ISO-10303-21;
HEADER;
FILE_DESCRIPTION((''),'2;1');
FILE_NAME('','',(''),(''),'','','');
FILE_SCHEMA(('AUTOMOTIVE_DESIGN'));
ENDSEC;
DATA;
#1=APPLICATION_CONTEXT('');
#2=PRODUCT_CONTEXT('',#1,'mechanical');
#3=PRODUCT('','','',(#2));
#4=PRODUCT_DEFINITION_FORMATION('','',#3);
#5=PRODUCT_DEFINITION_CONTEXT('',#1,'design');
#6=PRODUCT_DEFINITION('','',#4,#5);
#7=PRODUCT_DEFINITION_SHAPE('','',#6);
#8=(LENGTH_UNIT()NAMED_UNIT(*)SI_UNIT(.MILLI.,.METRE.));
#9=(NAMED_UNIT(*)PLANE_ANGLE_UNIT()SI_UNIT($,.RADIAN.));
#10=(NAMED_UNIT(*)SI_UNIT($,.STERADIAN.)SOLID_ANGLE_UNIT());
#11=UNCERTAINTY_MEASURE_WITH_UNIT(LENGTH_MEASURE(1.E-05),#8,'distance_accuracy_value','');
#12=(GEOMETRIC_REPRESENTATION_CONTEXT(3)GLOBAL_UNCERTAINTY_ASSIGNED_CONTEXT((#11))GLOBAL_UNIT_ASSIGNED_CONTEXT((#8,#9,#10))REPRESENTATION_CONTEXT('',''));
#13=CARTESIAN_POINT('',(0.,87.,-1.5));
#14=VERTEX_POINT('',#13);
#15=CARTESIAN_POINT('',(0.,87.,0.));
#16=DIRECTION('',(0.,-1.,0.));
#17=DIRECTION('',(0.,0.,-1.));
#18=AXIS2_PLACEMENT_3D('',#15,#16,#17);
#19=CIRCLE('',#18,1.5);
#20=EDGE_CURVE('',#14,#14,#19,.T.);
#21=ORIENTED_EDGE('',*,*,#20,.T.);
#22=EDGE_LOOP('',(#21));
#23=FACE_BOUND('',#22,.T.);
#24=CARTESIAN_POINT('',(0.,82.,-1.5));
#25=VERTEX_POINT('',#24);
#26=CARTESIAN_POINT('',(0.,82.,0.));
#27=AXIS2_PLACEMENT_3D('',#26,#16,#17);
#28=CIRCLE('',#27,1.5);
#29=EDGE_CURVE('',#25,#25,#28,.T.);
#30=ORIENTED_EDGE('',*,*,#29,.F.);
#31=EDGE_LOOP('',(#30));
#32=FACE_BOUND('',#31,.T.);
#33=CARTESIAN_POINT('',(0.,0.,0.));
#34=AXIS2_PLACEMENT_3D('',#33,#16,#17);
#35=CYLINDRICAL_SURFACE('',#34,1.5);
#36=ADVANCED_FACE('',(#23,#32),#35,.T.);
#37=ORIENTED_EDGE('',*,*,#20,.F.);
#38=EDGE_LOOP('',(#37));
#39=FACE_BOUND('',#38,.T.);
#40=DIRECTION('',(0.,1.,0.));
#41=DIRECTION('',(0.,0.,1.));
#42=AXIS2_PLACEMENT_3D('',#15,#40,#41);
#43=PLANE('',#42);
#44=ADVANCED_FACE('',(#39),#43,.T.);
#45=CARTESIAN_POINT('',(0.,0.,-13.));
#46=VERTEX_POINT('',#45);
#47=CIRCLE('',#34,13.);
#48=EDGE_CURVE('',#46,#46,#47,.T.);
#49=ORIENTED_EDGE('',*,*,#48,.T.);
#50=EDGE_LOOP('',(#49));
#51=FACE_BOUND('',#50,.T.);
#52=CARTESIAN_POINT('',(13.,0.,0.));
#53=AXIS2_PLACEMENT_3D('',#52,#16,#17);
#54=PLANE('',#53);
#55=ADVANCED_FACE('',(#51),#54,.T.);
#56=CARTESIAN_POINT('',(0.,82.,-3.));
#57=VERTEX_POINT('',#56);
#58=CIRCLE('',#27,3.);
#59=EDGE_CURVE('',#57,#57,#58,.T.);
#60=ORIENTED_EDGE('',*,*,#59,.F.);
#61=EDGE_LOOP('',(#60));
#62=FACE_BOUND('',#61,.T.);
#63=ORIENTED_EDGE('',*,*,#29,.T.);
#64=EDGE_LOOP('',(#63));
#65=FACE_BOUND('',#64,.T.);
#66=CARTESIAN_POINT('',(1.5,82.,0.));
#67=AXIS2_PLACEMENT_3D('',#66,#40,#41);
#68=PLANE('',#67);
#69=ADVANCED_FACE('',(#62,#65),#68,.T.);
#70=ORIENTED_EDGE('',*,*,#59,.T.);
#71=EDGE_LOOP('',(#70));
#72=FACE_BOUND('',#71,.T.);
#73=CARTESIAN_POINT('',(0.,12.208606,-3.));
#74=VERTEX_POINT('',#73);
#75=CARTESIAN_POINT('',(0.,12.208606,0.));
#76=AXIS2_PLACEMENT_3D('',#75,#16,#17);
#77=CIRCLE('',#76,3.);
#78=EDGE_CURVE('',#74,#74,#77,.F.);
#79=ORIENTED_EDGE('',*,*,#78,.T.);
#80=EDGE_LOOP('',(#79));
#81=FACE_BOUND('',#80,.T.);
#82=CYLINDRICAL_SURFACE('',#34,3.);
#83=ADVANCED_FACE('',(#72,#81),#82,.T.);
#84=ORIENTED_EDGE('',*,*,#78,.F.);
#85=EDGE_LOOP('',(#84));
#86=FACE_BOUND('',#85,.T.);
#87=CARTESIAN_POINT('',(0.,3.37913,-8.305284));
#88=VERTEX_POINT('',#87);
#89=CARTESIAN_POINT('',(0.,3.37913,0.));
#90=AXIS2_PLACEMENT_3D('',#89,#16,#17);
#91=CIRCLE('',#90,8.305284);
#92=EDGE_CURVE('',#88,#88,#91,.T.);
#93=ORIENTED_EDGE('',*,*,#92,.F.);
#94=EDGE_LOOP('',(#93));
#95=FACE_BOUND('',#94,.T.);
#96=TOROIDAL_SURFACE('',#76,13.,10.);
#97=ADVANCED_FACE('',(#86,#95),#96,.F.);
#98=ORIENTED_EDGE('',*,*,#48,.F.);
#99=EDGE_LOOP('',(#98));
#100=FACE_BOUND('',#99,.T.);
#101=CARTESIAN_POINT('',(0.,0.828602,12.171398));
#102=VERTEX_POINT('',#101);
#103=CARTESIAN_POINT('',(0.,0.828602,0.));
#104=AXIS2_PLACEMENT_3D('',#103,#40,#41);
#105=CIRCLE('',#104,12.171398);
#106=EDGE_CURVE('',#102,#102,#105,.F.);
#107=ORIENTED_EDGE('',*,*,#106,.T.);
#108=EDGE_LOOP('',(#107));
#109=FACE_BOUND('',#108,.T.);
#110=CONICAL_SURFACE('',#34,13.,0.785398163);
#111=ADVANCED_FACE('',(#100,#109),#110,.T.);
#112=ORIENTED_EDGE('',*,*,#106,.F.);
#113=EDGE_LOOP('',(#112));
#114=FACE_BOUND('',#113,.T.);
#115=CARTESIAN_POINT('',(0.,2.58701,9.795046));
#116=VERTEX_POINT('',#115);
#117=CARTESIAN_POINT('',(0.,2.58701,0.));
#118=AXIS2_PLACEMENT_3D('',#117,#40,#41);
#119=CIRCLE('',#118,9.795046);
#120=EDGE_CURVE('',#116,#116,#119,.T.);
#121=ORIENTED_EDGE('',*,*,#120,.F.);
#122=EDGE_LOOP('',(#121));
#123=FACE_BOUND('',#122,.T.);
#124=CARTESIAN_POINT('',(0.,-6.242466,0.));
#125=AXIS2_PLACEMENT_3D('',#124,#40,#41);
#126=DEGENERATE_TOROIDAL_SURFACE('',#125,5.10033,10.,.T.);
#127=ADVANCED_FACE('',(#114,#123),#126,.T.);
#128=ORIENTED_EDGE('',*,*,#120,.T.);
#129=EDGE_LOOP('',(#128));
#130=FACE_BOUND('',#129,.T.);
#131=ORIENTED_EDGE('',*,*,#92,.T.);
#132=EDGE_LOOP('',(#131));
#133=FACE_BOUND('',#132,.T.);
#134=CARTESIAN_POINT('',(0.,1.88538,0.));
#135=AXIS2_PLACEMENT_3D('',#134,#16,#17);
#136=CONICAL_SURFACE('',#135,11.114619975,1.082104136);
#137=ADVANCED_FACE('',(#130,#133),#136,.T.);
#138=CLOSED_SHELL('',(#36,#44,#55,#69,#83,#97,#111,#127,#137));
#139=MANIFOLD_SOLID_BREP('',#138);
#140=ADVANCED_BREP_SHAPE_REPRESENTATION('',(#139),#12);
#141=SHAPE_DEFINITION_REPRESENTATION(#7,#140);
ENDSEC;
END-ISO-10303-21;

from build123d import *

# Parameters (mm, degrees)
FILLET1_R = 10
FILLET2_R = 10


with BuildPart() as part:
    # Sketch1 → Revolve1 (revolve)
    with BuildSketch(Plane.XY, mode=Mode.PRIVATE) as revolve1_sk:
        Polygon((0, 0), (0, 87), (1.5, 87), (1.5, 82), (3, 82), (3, 6.2), (11.114619975, 1.885380025), (13, 0), align=None)
    revolve(revolve1_sk.sketch.rotate(Axis((0, 0, 0), (0, 1, 0)), 90), axis=Axis((0, 0, 0), (0, 1, 0)))

    # Fillet1
    fillet1_edges = [part.edges().sort_by_distance(p)[0] for p in [
        (0, 6.2, 3),
    ]]
    fillet(fillet1_edges, radius=FILLET1_R)

    # Fillet2
    fillet2_edges = [part.edges().sort_by_distance(p)[0] for p in [
        (0, 1.885380025, 11.114619975),
    ]]
    fillet(fillet2_edges, radius=FILLET2_R)


solid = part.part
